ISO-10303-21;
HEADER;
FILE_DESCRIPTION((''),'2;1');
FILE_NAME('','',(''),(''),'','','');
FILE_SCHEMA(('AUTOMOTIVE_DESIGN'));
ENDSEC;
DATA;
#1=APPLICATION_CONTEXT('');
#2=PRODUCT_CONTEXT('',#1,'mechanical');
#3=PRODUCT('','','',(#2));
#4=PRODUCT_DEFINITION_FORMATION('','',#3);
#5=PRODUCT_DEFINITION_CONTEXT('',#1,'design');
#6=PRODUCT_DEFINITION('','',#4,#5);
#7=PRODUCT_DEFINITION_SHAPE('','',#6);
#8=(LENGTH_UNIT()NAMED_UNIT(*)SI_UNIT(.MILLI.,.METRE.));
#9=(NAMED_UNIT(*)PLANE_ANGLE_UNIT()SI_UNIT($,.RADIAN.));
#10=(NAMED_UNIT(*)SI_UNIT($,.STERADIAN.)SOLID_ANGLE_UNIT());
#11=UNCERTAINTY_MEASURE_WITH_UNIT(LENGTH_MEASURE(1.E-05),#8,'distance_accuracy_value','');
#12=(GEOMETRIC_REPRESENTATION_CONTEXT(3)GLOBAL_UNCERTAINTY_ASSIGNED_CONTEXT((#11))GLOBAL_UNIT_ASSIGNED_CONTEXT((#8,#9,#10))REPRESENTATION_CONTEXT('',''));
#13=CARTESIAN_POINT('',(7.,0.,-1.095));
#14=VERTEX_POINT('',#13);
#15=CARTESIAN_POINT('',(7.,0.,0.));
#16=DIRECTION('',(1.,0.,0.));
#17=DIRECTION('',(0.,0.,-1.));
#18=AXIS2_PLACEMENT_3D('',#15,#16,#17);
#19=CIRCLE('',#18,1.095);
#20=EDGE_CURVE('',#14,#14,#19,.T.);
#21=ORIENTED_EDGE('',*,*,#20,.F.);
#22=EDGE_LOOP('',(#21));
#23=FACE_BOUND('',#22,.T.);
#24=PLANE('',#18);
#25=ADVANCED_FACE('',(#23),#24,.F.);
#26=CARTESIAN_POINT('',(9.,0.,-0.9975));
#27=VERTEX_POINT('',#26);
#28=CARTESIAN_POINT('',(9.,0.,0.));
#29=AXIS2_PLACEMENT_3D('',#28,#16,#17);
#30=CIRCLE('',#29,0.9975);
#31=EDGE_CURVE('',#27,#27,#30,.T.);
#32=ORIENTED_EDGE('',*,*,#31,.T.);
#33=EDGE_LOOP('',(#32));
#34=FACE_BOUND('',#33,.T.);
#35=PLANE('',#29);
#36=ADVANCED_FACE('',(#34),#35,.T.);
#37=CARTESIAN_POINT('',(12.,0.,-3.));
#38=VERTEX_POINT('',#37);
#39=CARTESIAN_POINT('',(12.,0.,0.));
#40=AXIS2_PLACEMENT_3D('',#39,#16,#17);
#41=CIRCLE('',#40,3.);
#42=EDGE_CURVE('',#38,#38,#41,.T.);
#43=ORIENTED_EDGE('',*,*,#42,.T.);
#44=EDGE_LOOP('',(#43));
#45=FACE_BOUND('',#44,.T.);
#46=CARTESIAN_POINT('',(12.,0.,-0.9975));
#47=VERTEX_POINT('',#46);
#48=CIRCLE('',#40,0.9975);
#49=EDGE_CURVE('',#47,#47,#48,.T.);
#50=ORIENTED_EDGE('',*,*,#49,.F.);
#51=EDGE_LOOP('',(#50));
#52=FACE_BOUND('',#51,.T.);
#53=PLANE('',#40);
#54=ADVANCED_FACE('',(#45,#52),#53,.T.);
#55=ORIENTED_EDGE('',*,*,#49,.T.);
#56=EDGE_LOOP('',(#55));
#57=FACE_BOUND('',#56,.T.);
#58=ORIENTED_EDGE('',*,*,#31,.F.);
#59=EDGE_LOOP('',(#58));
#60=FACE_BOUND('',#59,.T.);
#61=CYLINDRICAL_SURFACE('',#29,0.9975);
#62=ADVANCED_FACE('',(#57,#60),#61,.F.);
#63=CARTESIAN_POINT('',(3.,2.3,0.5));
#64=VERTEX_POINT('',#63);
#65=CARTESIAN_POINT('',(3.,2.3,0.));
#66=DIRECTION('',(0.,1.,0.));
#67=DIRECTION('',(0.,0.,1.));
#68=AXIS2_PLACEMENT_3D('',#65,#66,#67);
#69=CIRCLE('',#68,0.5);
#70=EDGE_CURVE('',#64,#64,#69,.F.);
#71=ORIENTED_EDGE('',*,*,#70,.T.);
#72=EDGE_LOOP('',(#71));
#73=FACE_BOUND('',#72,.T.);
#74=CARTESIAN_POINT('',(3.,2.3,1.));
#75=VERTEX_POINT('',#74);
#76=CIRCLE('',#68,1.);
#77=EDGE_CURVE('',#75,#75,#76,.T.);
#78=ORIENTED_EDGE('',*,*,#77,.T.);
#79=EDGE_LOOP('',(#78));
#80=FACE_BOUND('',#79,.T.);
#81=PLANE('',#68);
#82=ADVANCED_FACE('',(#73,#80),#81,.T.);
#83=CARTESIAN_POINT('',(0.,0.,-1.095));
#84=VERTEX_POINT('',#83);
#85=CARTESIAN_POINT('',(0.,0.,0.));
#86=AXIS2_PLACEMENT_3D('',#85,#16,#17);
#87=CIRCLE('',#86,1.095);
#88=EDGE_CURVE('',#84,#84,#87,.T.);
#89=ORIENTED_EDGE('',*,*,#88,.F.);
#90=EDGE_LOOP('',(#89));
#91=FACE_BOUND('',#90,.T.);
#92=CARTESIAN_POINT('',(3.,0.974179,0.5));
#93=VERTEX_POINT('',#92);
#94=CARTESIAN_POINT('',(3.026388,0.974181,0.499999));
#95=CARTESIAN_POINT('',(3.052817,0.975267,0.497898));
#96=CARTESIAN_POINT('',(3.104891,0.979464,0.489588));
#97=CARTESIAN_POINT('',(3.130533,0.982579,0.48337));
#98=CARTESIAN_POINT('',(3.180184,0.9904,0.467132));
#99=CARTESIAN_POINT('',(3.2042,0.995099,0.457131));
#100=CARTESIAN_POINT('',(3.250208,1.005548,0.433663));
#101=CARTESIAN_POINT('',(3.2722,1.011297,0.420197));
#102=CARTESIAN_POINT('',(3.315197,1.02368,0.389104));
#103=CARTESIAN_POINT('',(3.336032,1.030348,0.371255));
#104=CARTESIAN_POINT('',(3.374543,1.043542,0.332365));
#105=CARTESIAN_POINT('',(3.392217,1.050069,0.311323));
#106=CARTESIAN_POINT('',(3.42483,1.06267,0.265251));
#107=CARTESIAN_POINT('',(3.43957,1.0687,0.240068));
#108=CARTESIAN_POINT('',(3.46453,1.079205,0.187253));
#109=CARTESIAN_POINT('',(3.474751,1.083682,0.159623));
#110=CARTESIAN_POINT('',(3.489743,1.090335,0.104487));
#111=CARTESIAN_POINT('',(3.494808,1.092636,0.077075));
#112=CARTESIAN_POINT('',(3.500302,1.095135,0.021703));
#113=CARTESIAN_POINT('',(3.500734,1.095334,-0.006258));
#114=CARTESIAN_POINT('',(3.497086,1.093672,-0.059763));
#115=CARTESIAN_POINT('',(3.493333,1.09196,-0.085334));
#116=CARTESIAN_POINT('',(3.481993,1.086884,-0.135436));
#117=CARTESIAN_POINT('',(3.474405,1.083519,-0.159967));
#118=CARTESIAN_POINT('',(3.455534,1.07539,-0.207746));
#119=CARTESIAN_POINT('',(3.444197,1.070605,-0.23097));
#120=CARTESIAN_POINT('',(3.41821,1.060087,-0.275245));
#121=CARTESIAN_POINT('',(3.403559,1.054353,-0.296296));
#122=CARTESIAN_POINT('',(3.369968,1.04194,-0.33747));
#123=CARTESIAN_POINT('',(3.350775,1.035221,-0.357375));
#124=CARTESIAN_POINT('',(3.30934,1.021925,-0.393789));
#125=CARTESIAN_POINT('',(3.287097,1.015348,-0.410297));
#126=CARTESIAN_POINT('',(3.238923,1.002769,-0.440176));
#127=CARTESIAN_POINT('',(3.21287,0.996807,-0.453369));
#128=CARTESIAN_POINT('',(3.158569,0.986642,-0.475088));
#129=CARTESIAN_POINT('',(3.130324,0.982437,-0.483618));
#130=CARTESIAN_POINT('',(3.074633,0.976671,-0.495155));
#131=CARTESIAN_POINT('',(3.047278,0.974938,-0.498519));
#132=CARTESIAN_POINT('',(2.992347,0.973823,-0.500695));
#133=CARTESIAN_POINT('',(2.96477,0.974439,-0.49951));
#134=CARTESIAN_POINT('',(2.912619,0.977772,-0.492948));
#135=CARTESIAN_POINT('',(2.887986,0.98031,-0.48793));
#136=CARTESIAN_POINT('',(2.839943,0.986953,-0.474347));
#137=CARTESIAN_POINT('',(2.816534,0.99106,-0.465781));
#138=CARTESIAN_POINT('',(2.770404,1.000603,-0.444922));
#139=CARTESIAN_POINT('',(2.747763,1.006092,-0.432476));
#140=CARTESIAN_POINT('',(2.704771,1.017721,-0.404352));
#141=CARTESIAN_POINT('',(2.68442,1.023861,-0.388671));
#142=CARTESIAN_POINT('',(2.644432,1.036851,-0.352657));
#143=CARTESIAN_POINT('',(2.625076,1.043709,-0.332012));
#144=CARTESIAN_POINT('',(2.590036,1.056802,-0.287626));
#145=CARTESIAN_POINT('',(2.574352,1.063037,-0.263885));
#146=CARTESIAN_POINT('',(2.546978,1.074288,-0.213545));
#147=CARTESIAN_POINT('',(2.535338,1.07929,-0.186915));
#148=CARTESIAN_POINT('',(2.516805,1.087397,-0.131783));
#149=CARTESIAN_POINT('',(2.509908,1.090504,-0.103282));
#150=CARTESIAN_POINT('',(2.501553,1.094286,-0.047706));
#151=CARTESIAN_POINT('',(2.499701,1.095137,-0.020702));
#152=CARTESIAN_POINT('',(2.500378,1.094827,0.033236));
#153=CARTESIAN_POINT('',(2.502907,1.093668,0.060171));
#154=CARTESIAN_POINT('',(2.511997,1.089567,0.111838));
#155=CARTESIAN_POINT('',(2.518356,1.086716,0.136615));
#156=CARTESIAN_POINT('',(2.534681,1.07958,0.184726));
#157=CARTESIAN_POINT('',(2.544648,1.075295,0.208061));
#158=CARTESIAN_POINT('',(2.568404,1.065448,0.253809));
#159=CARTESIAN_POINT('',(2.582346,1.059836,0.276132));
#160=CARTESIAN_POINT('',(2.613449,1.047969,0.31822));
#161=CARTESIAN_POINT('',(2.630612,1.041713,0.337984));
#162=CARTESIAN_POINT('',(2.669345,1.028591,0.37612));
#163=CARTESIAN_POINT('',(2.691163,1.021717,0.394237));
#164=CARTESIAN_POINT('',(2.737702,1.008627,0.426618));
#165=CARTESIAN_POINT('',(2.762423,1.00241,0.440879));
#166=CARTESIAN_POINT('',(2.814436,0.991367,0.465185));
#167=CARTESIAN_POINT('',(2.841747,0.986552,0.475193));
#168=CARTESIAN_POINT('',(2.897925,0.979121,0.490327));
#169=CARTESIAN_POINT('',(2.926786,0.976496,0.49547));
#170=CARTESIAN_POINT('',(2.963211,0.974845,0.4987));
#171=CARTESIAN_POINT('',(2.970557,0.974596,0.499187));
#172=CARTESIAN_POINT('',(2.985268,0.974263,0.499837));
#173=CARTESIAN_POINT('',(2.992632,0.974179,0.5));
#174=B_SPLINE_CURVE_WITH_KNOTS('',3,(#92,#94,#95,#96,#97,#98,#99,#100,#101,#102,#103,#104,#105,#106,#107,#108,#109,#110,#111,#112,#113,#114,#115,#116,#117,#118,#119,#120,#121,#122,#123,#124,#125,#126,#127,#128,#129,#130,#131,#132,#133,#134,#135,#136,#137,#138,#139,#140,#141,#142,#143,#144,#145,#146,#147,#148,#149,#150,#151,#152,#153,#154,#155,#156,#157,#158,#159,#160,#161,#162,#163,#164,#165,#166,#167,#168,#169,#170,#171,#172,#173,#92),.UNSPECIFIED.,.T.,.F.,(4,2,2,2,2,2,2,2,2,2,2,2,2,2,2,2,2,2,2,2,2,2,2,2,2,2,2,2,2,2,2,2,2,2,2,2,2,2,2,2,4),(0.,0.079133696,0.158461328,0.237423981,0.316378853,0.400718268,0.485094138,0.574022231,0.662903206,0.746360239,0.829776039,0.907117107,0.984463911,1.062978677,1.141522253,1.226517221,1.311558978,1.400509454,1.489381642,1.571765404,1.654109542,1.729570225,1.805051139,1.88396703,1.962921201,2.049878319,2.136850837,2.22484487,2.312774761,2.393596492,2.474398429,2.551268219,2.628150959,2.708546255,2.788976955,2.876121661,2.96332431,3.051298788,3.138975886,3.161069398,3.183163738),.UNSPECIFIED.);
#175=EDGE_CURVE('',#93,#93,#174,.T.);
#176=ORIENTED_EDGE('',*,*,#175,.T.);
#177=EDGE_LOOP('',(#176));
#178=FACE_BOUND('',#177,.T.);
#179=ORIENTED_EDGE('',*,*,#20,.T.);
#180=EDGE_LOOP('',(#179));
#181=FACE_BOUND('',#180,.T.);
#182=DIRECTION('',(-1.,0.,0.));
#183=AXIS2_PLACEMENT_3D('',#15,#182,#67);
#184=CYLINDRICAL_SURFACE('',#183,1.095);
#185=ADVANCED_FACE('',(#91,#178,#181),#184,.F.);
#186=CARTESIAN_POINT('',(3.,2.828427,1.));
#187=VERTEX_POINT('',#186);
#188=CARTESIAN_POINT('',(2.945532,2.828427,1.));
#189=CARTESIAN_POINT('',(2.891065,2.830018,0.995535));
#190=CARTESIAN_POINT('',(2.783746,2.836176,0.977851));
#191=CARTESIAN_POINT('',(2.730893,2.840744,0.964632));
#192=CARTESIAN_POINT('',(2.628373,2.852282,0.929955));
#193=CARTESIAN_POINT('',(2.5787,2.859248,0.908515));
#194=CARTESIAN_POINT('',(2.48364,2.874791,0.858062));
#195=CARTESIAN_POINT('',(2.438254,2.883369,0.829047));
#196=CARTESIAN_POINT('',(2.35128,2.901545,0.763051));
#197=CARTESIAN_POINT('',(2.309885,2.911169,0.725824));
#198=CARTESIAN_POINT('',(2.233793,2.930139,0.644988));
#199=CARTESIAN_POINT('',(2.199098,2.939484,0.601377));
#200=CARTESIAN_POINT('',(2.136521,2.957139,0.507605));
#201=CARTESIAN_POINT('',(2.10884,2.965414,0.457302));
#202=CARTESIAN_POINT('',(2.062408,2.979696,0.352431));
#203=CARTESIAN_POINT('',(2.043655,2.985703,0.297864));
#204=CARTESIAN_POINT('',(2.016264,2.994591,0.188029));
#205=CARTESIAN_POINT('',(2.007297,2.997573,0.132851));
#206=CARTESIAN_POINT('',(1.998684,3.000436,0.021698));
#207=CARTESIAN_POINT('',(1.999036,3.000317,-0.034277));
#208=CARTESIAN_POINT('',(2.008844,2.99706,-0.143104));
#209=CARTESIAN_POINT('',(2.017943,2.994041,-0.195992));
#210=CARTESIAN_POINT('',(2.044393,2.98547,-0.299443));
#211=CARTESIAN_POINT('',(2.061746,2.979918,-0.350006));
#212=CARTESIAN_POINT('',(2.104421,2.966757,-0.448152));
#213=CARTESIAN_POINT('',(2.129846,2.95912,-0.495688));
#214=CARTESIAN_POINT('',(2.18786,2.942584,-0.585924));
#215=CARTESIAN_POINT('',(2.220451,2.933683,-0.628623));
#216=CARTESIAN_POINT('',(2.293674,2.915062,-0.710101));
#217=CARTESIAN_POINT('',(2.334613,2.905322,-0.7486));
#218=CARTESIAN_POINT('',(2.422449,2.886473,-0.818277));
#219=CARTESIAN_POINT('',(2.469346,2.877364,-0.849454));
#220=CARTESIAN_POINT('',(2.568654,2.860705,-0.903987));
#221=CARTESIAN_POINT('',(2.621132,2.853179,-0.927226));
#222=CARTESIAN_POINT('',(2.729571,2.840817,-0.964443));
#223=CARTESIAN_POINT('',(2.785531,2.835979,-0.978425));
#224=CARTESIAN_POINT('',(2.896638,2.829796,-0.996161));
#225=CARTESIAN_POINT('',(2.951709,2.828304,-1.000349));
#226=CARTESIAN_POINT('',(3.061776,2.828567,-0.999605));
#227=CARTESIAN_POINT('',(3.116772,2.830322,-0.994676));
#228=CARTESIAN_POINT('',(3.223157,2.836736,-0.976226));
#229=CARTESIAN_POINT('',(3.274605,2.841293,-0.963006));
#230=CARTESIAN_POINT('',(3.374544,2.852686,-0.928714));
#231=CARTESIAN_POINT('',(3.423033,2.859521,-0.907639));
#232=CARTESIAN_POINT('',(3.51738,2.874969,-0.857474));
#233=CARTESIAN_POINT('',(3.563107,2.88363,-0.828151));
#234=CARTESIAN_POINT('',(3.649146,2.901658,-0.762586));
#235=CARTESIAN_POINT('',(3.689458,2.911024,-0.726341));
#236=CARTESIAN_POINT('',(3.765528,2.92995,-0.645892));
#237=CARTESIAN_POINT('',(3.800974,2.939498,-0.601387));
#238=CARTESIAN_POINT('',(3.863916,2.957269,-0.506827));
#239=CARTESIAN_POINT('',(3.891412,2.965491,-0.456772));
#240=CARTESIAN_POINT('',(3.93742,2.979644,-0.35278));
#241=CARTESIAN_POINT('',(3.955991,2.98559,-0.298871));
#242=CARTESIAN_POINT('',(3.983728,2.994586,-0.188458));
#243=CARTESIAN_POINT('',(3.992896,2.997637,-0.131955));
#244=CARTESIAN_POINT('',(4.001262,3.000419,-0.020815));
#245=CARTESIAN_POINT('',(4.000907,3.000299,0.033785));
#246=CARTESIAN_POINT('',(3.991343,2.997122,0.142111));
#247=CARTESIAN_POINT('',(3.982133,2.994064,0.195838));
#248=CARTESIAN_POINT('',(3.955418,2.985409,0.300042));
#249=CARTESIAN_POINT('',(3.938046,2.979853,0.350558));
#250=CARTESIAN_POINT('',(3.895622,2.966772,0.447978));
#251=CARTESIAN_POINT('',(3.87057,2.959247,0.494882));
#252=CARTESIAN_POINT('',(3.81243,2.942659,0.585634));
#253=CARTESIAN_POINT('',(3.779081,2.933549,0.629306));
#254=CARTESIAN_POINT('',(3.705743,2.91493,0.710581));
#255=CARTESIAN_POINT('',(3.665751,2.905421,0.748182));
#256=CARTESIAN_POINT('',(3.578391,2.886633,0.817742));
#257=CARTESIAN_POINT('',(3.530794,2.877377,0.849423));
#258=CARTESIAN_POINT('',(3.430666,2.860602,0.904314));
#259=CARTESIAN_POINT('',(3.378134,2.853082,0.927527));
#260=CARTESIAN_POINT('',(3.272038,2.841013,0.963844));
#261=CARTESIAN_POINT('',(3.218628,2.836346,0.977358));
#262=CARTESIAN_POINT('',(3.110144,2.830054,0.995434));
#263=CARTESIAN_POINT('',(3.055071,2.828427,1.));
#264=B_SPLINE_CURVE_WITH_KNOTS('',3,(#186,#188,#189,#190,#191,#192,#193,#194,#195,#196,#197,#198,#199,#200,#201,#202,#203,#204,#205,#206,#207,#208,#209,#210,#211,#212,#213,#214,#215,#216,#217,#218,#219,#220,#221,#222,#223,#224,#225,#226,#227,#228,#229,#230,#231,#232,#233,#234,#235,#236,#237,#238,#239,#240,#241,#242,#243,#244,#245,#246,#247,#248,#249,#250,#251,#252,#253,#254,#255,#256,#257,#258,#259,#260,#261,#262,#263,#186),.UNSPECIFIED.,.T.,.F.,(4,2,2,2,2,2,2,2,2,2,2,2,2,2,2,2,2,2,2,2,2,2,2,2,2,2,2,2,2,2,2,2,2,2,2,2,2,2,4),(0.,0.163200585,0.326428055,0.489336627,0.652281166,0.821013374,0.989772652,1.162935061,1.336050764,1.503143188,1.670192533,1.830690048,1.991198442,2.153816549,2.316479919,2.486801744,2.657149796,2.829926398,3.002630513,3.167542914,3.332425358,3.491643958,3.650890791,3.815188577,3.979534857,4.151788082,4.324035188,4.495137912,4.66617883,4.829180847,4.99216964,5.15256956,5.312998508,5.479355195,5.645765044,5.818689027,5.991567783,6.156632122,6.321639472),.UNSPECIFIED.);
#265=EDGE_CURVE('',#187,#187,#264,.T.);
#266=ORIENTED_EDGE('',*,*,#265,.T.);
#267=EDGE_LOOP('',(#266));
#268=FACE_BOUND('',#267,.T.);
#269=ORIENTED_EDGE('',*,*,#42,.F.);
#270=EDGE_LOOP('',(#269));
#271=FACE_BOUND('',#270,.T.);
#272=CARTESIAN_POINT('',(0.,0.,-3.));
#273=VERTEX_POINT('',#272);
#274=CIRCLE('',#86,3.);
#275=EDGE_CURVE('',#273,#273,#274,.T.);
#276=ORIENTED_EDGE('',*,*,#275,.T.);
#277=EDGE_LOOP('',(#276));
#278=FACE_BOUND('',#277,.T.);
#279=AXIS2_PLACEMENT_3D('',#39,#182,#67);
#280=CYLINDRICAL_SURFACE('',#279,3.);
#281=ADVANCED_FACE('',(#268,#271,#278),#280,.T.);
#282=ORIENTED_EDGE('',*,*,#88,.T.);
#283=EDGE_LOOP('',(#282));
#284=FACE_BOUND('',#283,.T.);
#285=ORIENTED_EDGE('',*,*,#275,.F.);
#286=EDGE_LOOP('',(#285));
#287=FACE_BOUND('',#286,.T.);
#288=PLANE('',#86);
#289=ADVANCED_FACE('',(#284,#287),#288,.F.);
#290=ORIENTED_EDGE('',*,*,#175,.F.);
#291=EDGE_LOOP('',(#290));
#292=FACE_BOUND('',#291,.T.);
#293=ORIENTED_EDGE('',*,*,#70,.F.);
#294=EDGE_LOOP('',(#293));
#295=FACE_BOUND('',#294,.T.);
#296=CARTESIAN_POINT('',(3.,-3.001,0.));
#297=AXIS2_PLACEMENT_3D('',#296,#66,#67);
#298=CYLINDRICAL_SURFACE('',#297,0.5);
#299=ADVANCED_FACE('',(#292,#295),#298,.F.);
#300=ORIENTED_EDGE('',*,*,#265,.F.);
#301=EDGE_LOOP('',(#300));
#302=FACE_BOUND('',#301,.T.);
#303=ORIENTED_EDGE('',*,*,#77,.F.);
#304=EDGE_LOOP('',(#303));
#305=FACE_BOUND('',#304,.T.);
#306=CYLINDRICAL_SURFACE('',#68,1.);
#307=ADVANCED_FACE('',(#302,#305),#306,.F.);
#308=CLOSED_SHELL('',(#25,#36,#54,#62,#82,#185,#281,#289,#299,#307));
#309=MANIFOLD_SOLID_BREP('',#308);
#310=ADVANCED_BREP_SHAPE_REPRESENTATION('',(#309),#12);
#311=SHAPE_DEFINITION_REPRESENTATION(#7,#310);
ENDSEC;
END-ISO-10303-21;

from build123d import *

# Parameters (mm, degrees)
SKETCH1_R               = 3
BOSS_EXTRUDE1_DEPTH     = 12
SKETCH2_R               = 1.095
CUT_EXTRUDE1_DEPTH      = 7
SKETCH3_R               = 1
CUT_EXTRUDE2_DEPTH      = 0.7
CUT_EXTRUDE3_REACH      = 15.599
CUT_EXTRUDE3_END_RADIUS = 1.095
SKETCH4_R               = 0.5
SKETCH5_R               = 0.9975
CUT_EXTRUDE4_DEPTH      = 3


with BuildPart() as part:
    # Sketch1 → Boss-Extrude1 (new body)
    with BuildSketch(Plane(origin=(0, 0, 0), x_dir=(0, 0, -1), z_dir=(1, 0, 0))):
        Circle(SKETCH1_R)
    extrude(amount=BOSS_EXTRUDE1_DEPTH)

    # Sketch2 → Cut-Extrude1 (cut)
    with BuildSketch(Plane(origin=(0, 0, 0), x_dir=(0, 0, -1), z_dir=(1, 0, 0))):
        Circle(SKETCH2_R)
    extrude(amount=CUT_EXTRUDE1_DEPTH, mode=Mode.SUBTRACT)

    # Sketch3 → Cut-Extrude2 (cut)
    with BuildSketch(Plane(origin=(0, 3, 0), x_dir=(1, 0, 0), z_dir=(0, 1, 0))):
        with Locations(Location((3, 0, 0), (0, 0, 270))):
            Circle(SKETCH3_R)
    extrude(amount=-CUT_EXTRUDE2_DEPTH, mode=Mode.SUBTRACT)

    # Cut-Extrude3: up to this cylinder (the profile starts outside it)
    cut_extrude3_end = Plane(origin=(3, 0, 0), z_dir=(-1, 0, 0)) * Cylinder(CUT_EXTRUDE3_END_RADIUS, 34.388, mode=Mode.PRIVATE)
    # Sketch4 → Cut-Extrude3 (cut, up to the surface)
    with BuildSketch(Plane(origin=(0, 2.65, 0), x_dir=(1, 0, 0), z_dir=(0, 1, 0)), mode=Mode.PRIVATE) as cut_extrude3_sk1:
        with Locations(Location((3, 0, 0), (0, 0, 270))):
            Circle(SKETCH4_R)
    cut_extrude3_tool1 = extrude(cut_extrude3_sk1.sketch, amount=-CUT_EXTRUDE3_REACH, mode=Mode.PRIVATE) - cut_extrude3_end
    add(cut_extrude3_tool1.solids().sort_by_distance((3, 2.65, 0))[0], mode=Mode.SUBTRACT)

    # Sketch5 → Cut-Extrude4 (cut)
    with BuildSketch(Plane(origin=(12, 0, 0), x_dir=(0, 0, -1), z_dir=(1, 0, 0))):
        Circle(SKETCH5_R)
    extrude(amount=-CUT_EXTRUDE4_DEPTH, mode=Mode.SUBTRACT)


solid = part.part
